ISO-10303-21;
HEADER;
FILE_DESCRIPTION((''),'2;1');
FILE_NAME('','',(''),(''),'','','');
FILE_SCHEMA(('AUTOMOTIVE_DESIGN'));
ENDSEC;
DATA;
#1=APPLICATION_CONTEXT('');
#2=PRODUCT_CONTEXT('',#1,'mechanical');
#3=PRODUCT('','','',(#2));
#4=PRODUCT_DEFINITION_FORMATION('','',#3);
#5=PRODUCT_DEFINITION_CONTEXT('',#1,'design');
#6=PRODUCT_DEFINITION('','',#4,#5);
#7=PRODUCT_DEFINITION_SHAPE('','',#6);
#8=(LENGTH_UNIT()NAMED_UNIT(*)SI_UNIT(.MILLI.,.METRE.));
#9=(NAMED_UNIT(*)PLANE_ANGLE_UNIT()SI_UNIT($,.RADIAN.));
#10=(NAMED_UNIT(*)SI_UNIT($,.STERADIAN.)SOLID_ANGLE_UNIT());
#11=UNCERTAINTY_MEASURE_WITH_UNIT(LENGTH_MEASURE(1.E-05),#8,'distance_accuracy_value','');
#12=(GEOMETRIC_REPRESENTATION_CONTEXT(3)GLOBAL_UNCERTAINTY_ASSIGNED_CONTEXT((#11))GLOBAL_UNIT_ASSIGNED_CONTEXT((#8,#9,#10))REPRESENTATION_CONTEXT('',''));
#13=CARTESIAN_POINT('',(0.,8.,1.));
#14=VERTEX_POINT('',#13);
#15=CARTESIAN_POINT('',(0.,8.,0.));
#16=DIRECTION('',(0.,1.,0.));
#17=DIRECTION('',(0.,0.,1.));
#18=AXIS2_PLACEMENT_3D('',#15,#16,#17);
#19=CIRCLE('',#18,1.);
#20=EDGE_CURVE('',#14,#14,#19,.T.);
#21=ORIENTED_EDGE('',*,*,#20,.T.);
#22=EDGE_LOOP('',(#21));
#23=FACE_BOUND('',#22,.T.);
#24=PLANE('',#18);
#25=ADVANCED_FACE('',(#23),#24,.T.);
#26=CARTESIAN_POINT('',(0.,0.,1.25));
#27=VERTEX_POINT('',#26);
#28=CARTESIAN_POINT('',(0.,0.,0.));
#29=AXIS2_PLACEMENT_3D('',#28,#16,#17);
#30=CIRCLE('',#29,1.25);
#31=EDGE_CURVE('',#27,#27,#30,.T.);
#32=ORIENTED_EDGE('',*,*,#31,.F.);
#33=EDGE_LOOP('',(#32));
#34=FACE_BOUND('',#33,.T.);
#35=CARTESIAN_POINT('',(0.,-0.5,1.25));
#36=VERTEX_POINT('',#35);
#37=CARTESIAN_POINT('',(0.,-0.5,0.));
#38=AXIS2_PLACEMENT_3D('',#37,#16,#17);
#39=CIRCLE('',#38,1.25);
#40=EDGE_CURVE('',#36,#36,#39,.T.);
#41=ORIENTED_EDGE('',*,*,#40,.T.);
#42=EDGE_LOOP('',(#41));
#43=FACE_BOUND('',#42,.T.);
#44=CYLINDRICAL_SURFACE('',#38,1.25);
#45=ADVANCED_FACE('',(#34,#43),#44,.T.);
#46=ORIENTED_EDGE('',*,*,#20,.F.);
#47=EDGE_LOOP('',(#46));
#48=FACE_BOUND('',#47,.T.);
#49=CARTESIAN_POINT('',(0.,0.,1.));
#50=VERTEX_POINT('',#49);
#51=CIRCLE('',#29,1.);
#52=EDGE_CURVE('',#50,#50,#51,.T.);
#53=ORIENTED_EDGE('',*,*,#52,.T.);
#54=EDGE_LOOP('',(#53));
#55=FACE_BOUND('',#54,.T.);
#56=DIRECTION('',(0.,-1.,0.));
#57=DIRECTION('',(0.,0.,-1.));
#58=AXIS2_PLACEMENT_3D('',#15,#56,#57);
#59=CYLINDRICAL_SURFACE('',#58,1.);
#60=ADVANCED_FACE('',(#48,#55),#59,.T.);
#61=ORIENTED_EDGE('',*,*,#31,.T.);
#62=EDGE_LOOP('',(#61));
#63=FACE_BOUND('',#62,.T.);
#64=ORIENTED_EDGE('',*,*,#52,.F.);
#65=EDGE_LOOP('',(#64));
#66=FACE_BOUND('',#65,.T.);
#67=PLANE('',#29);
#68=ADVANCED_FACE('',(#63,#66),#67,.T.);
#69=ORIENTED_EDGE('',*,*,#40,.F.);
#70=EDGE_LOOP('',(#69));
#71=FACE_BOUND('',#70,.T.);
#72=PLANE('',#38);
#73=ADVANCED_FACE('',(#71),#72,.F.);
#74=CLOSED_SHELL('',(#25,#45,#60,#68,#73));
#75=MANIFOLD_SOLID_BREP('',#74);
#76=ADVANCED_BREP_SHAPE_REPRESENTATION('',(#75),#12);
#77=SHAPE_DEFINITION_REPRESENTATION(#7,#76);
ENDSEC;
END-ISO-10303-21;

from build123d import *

# Parameters (mm, degrees)
SKETCH2_R           = 1
BOSS_EXTRUDE1_DEPTH = 8
SKETCH2_3_R         = 1.25
BOSS_EXTRUDE2_DEPTH = 0.5


with BuildPart() as part:
    # Sketch2 → Boss-Extrude1 (new body)
    with BuildSketch(Plane(origin=(0, 0, 0), x_dir=(1, 0, 0), z_dir=(0, 1, 0))):
        Circle(SKETCH2_R)
    extrude(amount=BOSS_EXTRUDE1_DEPTH)

    # Sketch2<3> → Boss-Extrude2 (add)
    with BuildSketch(Plane(origin=(0, 0, 0), x_dir=(1, 0, 0), z_dir=(0, 1, 0))):
        Circle(SKETCH2_3_R)
    extrude(amount=-BOSS_EXTRUDE2_DEPTH)


solid = part.part
